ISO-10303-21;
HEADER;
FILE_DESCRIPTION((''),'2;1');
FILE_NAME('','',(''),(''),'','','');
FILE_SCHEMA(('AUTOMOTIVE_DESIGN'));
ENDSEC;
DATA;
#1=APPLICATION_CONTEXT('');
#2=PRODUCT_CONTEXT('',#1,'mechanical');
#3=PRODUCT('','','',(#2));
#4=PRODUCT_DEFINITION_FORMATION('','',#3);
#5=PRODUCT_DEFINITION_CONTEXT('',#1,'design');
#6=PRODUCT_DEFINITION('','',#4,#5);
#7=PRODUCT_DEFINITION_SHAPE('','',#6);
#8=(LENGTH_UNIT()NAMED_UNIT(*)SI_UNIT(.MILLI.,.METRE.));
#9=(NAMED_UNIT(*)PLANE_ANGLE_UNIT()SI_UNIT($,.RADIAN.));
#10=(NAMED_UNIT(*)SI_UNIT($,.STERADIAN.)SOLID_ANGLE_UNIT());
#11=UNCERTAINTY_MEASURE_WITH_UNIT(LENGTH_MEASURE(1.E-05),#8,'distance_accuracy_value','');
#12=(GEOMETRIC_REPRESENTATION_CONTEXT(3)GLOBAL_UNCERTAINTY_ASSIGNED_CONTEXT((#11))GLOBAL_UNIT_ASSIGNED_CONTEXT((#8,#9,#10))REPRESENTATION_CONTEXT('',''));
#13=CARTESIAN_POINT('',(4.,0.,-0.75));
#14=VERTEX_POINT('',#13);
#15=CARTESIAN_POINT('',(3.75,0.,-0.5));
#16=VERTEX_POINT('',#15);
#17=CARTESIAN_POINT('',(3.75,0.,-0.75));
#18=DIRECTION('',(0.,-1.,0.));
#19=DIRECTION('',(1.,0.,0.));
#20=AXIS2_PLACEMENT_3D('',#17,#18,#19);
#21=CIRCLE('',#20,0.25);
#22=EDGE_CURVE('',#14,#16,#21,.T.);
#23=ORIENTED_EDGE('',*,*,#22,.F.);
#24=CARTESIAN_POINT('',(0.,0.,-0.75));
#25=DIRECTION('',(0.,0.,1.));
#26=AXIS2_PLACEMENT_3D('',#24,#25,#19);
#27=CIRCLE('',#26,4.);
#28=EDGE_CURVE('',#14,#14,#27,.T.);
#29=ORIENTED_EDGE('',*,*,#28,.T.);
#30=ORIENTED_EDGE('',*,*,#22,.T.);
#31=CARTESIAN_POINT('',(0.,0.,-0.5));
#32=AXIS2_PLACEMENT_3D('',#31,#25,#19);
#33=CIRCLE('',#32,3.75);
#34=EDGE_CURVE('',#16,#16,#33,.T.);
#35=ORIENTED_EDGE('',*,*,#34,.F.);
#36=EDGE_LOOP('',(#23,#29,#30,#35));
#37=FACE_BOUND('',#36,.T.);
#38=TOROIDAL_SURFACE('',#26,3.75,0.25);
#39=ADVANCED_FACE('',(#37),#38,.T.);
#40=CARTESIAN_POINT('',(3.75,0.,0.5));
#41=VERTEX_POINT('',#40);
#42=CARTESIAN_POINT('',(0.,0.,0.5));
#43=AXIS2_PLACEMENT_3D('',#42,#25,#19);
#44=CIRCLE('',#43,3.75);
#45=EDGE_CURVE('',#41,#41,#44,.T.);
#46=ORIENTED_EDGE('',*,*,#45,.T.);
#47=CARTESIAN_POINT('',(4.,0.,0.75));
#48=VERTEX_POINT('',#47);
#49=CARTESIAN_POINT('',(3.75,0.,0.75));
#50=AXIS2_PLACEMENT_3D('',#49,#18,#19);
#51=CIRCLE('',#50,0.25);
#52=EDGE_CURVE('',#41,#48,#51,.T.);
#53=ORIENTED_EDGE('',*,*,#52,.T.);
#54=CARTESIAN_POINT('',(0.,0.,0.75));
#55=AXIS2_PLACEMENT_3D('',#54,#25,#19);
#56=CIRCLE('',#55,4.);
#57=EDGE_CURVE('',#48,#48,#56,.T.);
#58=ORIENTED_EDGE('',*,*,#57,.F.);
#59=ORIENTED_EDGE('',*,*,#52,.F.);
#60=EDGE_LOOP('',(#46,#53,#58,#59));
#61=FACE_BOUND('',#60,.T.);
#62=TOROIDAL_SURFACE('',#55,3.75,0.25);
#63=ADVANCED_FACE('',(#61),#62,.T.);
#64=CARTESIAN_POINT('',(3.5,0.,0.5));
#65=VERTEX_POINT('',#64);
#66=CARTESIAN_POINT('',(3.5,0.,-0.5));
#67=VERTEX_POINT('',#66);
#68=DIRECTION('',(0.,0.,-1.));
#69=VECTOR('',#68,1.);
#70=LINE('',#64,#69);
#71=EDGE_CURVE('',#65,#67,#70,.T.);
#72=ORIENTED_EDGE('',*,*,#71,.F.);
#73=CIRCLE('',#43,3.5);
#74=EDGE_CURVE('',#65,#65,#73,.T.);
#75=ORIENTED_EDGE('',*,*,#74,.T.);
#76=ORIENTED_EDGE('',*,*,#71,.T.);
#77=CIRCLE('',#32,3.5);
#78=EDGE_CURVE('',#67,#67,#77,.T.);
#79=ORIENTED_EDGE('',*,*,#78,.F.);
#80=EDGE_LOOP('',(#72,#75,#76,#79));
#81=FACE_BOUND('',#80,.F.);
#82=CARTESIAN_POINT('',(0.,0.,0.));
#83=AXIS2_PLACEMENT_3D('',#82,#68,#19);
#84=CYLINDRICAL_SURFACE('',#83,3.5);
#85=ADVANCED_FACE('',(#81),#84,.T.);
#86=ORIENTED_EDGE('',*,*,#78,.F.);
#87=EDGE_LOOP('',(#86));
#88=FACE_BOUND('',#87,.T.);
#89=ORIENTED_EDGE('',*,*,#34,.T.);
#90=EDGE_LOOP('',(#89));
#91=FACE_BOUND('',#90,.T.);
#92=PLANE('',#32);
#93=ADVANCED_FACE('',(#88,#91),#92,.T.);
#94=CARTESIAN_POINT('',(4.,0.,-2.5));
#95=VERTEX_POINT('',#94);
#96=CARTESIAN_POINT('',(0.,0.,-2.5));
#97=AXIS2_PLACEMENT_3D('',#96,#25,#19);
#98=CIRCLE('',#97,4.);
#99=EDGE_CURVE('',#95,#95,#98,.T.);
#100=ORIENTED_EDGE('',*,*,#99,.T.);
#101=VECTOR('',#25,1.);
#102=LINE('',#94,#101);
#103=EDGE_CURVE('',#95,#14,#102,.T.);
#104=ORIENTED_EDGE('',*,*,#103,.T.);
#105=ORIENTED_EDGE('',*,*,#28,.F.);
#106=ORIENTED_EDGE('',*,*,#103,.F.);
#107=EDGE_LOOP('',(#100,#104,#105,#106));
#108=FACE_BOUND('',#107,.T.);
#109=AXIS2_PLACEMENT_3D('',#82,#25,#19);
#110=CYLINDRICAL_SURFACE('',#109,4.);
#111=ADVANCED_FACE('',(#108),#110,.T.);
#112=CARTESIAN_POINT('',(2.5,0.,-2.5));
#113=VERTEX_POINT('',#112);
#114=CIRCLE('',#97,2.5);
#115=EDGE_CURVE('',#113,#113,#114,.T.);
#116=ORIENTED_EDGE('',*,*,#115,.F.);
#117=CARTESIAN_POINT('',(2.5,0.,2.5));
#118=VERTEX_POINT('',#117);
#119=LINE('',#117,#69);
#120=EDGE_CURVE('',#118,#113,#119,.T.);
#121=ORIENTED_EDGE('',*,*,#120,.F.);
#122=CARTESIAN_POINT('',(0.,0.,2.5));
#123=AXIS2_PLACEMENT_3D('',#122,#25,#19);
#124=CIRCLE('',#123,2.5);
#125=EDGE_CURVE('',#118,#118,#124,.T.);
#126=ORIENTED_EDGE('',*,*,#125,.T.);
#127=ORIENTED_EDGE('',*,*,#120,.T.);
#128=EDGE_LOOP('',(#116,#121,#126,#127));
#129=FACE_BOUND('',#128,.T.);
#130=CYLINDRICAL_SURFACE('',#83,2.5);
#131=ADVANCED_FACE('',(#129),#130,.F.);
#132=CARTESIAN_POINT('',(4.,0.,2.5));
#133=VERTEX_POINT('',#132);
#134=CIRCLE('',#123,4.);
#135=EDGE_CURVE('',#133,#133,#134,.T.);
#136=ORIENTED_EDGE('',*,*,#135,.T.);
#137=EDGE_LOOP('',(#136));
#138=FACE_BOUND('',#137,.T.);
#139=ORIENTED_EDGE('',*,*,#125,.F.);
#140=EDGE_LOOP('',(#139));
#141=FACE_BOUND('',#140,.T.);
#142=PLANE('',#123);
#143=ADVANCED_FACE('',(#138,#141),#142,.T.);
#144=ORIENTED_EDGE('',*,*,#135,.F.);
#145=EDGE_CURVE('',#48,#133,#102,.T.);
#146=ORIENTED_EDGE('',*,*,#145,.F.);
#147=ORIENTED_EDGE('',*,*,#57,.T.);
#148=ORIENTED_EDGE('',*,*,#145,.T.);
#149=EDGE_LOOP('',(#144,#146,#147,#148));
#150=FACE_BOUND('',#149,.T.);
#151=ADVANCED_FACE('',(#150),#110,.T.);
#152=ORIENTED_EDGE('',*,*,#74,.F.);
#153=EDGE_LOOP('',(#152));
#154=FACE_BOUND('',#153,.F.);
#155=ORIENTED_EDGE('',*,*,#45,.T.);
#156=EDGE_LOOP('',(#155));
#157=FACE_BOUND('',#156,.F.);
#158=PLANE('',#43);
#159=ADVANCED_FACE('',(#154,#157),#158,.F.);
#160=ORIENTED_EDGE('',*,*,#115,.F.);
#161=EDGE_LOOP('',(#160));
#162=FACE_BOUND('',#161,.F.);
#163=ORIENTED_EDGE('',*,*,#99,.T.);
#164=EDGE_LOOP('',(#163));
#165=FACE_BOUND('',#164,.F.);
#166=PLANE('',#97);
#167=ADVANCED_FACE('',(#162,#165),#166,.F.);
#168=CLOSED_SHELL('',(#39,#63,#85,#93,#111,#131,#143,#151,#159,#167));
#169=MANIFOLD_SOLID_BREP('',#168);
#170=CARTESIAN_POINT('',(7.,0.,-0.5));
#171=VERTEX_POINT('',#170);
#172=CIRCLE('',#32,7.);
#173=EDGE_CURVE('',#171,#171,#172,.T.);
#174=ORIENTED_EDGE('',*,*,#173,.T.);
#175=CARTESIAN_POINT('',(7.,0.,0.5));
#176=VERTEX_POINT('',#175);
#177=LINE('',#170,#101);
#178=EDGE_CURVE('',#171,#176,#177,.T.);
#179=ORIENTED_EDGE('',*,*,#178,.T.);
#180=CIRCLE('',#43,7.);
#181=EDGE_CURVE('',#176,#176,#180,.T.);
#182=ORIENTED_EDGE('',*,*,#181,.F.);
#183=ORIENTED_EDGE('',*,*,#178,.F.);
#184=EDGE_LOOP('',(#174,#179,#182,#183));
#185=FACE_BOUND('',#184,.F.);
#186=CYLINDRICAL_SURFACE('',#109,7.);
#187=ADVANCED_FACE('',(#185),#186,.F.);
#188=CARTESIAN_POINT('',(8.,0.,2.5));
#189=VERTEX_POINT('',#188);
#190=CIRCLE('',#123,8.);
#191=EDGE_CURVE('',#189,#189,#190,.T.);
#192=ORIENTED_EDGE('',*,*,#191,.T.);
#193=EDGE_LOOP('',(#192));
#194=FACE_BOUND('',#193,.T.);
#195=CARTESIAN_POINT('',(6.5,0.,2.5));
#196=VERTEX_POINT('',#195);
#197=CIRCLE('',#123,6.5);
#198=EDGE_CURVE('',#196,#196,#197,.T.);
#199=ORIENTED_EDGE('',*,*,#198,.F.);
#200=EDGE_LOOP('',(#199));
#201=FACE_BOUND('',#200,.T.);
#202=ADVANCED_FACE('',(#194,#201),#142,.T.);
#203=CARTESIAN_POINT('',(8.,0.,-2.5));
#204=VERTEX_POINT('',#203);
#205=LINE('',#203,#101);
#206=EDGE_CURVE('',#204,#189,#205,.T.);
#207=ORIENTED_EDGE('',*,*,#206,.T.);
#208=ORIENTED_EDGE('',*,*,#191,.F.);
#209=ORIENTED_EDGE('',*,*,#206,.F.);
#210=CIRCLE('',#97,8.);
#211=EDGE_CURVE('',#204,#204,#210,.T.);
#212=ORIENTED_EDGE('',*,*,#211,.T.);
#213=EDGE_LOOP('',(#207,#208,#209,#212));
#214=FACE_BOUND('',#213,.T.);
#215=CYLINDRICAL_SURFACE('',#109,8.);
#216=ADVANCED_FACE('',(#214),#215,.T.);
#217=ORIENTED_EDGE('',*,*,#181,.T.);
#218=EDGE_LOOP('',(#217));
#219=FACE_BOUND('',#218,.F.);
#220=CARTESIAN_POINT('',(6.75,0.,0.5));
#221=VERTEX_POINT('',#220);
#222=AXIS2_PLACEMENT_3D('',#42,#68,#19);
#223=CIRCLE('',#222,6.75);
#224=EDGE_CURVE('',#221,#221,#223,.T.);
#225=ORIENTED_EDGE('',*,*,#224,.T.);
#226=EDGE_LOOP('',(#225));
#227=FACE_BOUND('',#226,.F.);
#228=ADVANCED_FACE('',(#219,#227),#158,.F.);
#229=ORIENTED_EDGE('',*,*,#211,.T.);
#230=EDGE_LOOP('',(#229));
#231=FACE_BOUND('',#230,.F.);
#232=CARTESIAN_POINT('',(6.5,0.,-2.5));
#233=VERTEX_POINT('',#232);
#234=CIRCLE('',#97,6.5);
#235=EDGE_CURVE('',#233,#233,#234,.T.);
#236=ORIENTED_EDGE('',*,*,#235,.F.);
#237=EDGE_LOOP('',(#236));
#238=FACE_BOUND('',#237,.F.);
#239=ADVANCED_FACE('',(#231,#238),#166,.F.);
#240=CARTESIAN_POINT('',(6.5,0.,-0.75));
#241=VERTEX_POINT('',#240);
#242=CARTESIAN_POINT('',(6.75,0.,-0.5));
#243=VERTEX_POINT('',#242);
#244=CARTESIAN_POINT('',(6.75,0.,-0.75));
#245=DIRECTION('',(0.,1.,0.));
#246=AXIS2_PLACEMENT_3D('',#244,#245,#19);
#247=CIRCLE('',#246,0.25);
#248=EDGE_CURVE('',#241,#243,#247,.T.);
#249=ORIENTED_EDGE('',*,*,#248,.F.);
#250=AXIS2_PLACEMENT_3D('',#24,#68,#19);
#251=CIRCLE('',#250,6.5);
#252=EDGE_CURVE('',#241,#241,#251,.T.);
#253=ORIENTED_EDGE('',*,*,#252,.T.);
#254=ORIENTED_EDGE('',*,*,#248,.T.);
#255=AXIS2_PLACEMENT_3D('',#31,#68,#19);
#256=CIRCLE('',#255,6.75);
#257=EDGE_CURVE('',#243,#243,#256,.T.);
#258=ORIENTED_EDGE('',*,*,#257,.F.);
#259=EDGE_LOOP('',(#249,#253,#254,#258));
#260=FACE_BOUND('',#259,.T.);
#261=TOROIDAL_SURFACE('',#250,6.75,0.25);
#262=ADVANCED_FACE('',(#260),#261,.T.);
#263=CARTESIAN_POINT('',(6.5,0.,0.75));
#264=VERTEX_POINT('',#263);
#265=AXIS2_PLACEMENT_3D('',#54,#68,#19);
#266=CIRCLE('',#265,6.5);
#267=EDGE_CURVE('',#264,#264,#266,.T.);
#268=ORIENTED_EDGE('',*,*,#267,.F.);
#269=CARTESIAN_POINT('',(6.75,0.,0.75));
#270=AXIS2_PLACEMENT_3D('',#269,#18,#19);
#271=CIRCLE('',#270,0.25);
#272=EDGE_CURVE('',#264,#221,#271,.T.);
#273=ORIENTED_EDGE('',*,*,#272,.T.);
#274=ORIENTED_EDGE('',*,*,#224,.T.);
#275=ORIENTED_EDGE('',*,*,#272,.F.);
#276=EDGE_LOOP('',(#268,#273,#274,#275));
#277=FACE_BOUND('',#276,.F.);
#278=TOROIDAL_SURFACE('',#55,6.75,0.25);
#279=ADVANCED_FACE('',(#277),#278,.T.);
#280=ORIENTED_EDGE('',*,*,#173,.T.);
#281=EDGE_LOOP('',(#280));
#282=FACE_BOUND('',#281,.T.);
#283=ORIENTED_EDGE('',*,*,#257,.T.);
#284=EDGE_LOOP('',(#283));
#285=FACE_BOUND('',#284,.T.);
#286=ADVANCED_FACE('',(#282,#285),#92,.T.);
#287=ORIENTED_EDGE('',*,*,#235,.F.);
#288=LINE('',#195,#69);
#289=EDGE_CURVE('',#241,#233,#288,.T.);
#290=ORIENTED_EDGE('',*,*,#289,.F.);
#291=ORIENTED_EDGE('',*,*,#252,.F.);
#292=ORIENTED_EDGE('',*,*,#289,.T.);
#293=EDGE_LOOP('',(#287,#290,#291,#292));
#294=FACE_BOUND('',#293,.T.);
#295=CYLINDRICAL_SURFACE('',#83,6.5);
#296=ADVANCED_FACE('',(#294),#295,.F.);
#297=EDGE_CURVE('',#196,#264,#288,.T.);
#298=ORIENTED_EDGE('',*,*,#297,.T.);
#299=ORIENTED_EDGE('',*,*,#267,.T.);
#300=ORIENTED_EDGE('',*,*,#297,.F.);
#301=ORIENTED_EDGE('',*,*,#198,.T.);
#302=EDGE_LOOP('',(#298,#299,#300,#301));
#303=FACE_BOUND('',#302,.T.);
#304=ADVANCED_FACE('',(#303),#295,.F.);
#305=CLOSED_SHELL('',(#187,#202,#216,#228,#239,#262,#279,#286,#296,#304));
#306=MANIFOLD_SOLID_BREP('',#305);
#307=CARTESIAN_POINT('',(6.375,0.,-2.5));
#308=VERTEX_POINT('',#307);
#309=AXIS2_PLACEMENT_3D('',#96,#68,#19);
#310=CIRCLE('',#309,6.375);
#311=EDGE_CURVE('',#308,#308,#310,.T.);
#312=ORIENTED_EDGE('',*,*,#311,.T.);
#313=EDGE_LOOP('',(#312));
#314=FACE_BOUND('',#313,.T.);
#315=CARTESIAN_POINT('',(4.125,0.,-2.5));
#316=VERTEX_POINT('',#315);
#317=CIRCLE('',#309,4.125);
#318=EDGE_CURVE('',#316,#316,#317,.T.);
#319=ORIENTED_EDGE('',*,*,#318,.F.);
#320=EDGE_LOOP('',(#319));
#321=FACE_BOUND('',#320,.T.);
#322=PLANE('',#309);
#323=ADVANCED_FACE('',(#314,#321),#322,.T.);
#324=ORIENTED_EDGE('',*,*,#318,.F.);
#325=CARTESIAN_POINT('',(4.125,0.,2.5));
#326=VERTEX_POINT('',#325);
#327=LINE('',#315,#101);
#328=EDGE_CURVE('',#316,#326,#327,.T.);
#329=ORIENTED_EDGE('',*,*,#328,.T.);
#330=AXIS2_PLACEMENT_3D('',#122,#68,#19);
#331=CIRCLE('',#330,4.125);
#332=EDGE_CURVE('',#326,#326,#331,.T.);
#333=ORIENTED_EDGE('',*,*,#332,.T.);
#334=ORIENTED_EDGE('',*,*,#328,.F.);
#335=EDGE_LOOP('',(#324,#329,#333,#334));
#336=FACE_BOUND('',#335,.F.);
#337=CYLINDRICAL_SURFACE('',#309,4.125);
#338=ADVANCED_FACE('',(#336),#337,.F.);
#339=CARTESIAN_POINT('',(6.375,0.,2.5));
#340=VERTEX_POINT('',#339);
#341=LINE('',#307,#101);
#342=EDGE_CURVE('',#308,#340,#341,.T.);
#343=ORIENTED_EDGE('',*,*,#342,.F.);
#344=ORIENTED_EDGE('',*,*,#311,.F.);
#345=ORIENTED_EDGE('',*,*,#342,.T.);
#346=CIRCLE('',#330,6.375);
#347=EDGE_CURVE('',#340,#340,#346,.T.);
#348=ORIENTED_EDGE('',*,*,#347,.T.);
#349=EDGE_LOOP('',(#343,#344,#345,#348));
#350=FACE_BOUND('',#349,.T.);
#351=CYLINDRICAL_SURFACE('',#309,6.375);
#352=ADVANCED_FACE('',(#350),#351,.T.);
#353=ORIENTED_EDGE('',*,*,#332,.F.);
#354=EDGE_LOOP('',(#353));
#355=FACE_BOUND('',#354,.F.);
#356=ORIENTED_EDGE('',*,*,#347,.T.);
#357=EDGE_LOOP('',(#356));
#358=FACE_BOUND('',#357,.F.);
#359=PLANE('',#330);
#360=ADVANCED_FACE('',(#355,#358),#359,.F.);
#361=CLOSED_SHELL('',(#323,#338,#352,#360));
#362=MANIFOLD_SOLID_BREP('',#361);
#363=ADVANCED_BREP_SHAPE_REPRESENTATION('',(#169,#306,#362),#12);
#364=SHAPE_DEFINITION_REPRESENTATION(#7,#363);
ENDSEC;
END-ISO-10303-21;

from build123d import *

# Parameters (mm, degrees)
F0_R     = 8
F0_R_2   = 6.5
F1_DEPTH = 2.5
F0_R_3   = 4
F0_R_4   = 2.5
F2_R     = 7
F2_R_2   = 3.5
F3_DEPTH = 0.5
F4_R     = 0.25
F4_2_R   = 0.25
F5_R     = 6.375
F5_R_2   = 4.125
F6_DEPTH = 5


with BuildPart() as f1:
    # F0 (on Top) → F1 (new body, symmetric)
    with BuildSketch(Plane.XY):
        Circle(F0_R)
        Circle(F0_R_2, mode=Mode.SUBTRACT)
    extrude(amount=F1_DEPTH, both=True)


with BuildPart() as f1b:
    # F0 (on Top) → F1, piece 2 (new body, symmetric)
    with BuildSketch(Plane.XY):
        Circle(F0_R_3)
        Circle(F0_R_4, mode=Mode.SUBTRACT)
    extrude(amount=F1_DEPTH, both=True)


with BuildPart() as f3_tool:
    # F2 (on Top) → F3 (new body, symmetric)
    with BuildSketch(Plane.XY):
        Circle(F2_R)
        Circle(F2_R_2, mode=Mode.SUBTRACT)
    extrude(amount=F3_DEPTH, both=True)


with BuildPart() as f1_1:
    add(f1.part)

    # F3: cut by f3_tool
    add(f3_tool.part, mode=Mode.SUBTRACT)

    # F4
    f4_edges = [f1_1.edges().sort_by_distance(p)[0] for p in [
        (-6.5, 0, 0.5),
        (-6.5, 0, -0.5),
    ]]
    fillet(f4_edges, radius=F4_R)


with BuildPart() as f1b_1:
    add(f1b.part)

    # F3: cut by f3_tool
    add(f3_tool.part, mode=Mode.SUBTRACT)

    # F4#2
    f4_2_edges = [f1b_1.edges().sort_by_distance(p)[0] for p in [
        (-4, 0, -0.5),
        (-4, 0, 0.5),
    ]]
    fillet(f4_2_edges, radius=F4_2_R)


with BuildPart() as f6:
    # F5 (on face) → F6 (new body)
    with BuildSketch(Plane(origin=(0, 0, -2.5), x_dir=(1, 0, 0), z_dir=(0, 0, -1))):
        Circle(F5_R)
        Circle(F5_R_2, mode=Mode.SUBTRACT)
    extrude(amount=-F6_DEPTH)


solid = Compound([f1_1.part, f1b_1.part, f6.part])
